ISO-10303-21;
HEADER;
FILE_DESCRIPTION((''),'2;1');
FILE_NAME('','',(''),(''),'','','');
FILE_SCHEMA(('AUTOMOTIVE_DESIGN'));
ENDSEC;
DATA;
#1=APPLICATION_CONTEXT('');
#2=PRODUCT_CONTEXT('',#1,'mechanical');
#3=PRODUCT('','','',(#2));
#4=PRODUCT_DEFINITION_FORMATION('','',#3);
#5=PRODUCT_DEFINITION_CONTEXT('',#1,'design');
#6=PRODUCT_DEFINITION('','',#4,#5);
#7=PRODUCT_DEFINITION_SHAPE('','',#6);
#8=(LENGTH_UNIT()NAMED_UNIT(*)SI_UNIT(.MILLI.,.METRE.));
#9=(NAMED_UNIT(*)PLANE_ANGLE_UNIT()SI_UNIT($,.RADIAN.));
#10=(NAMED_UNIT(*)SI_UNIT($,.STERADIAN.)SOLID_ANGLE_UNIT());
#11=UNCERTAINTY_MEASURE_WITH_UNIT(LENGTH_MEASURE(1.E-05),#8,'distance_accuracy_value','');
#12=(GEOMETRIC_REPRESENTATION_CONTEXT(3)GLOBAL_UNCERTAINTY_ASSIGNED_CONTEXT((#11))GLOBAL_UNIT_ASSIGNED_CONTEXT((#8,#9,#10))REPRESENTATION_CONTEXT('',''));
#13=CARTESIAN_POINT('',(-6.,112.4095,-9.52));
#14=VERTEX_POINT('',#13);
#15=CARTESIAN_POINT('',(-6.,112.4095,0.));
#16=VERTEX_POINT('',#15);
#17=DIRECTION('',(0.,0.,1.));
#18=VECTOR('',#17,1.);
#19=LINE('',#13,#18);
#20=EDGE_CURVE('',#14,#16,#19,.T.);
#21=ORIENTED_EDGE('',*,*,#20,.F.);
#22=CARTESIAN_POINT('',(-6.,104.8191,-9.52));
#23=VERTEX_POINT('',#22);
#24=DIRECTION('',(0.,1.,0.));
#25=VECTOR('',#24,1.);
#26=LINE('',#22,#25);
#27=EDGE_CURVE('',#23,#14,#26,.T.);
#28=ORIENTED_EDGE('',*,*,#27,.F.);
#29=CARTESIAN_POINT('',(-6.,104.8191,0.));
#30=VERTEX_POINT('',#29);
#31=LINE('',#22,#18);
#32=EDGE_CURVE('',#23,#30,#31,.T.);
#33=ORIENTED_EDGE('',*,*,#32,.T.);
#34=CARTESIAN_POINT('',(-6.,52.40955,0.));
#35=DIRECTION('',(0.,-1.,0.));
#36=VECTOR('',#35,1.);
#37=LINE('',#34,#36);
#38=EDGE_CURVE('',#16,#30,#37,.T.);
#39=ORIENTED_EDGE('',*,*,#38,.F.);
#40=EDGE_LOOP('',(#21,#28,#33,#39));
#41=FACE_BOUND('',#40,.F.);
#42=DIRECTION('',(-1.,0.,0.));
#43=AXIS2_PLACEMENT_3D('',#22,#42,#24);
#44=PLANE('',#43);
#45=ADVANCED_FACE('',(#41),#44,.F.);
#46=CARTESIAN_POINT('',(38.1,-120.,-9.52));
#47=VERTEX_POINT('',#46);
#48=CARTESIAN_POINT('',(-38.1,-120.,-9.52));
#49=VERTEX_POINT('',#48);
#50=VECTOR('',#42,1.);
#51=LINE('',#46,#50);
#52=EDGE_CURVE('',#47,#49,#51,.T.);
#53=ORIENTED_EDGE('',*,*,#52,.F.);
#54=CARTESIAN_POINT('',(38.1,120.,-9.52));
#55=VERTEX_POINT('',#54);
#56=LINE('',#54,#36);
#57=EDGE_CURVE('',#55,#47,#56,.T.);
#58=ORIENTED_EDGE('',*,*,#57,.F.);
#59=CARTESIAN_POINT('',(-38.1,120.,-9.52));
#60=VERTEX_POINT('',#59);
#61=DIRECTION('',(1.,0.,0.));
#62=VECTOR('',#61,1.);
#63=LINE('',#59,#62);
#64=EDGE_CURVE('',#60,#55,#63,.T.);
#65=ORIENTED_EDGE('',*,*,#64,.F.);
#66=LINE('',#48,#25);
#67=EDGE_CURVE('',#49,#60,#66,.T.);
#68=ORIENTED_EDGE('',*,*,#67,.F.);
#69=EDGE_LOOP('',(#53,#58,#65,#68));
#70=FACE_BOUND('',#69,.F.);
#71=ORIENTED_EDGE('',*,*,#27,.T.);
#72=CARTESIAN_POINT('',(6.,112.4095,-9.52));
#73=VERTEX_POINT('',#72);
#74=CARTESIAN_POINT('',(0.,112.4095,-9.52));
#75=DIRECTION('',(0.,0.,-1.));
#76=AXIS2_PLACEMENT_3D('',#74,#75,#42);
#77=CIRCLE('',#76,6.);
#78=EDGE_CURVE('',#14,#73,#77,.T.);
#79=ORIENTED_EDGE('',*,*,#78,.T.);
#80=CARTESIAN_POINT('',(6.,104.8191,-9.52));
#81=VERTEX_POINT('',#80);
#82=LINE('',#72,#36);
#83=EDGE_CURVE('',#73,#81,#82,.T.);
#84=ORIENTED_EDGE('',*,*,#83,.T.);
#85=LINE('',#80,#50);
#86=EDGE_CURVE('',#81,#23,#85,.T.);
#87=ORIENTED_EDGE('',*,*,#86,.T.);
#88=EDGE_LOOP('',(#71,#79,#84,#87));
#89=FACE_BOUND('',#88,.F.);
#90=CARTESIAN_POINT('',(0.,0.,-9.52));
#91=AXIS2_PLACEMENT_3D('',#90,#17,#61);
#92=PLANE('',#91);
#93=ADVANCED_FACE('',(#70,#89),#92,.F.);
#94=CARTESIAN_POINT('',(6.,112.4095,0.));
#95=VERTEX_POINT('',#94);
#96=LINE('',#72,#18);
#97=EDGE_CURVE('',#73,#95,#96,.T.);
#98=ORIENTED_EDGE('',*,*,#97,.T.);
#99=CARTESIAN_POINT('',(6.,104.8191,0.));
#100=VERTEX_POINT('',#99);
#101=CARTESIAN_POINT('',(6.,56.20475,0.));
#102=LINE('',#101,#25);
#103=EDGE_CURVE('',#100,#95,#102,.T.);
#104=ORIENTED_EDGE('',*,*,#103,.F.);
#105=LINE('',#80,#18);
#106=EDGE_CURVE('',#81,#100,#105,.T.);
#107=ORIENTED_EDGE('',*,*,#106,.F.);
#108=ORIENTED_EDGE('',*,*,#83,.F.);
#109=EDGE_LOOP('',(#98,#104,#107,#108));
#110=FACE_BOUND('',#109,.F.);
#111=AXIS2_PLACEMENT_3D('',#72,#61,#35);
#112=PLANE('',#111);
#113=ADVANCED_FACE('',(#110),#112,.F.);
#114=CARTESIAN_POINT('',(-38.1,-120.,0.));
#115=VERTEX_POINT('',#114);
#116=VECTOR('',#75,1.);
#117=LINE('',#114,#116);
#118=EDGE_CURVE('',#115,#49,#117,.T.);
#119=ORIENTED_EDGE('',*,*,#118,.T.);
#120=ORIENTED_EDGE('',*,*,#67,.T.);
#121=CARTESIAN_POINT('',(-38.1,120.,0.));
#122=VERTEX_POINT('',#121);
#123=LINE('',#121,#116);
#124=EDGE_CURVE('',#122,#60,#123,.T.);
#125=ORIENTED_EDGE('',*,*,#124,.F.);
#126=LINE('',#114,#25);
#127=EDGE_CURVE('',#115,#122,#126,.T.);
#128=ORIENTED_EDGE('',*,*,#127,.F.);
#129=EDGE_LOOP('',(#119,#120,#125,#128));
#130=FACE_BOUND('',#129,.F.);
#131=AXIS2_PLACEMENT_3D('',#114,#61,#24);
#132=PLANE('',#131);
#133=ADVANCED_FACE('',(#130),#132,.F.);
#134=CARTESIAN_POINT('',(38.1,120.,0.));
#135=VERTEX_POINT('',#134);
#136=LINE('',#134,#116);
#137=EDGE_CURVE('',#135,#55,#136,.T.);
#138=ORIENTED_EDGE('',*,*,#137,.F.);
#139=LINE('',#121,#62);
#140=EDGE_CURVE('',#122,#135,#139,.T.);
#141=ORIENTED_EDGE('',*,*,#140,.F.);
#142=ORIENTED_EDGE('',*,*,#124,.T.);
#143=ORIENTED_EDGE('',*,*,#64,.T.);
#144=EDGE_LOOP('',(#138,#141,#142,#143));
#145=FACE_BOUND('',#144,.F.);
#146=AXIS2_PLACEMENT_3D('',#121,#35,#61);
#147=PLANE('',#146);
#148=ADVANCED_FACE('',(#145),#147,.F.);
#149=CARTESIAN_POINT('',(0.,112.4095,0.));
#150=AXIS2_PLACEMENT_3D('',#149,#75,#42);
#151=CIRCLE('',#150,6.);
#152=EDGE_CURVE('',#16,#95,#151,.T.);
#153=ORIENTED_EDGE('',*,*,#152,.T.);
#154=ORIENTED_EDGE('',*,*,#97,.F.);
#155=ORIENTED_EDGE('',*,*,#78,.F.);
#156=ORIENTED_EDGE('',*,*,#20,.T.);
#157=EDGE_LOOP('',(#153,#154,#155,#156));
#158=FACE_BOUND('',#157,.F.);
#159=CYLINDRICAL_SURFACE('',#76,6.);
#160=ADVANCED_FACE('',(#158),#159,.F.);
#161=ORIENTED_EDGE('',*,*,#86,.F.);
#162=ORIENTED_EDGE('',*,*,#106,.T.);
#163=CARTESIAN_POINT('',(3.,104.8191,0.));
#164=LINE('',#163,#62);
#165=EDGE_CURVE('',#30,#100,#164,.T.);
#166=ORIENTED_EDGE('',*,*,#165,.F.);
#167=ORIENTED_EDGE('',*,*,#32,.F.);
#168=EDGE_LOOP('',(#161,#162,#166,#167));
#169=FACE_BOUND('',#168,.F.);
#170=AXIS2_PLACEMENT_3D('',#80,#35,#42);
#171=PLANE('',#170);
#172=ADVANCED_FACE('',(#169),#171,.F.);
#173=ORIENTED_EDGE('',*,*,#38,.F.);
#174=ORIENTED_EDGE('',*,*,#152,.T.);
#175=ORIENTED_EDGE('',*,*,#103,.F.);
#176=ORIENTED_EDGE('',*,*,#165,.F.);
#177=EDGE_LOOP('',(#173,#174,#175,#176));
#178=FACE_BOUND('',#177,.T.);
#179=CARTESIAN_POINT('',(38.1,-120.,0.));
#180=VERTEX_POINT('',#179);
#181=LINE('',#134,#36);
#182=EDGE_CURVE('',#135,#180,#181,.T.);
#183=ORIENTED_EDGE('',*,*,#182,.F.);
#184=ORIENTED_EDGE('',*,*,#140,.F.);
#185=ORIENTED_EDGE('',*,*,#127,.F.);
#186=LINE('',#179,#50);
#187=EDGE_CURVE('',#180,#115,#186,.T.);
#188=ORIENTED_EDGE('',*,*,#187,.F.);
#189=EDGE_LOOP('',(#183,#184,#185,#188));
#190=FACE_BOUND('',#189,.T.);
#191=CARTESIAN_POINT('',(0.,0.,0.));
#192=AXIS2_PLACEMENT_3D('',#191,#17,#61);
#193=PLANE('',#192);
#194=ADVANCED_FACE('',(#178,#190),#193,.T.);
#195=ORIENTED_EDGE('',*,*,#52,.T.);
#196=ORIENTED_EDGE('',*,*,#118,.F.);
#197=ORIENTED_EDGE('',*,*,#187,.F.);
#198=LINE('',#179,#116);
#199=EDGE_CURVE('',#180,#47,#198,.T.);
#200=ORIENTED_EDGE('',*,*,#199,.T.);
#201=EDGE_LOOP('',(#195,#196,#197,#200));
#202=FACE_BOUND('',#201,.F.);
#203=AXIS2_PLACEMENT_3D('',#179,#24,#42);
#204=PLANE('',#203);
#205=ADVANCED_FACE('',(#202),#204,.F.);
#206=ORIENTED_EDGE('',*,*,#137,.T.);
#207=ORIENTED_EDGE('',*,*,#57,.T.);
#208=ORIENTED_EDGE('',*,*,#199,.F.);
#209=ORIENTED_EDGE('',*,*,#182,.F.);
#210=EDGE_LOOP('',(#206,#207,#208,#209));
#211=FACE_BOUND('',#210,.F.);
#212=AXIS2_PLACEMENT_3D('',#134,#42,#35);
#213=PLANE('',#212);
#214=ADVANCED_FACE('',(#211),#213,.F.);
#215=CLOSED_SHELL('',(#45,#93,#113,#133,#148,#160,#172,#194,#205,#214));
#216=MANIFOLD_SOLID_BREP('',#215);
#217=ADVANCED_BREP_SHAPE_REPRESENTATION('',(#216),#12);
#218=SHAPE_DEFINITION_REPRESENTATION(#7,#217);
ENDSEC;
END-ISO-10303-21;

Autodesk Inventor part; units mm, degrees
ref_plane "YZ Plane" through (0, 0, 0) normal (1, 0, 0) x (0, 1, 0)
ref_plane "XZ Plane" through (0, 0, 0) normal (0, 1, 0) x (-1, 0, 0)
ref_plane "XY Plane" through (0, 0, 0) normal (0, 0, 1) x (1, 0, 0)
sketch "Esboço2" plane through (0, 0, 0) normal (0, 0, 1) x (1, 0, 0)
  line L0 (-38.1, 120) -> (38.1, 120)
  line L1 (38.1, 120) -> (38.1, -120)
  line L2 (38.1, -120) -> (-38.1, -120)
  line L3 (-38.1, -120) -> (-38.1, 120)
  line L4 (-38.1, 120) -> (38.1, -120) construction
  line L5 (38.1, 120) -> (-38.1, -120) construction
  point P0 (0, 0)
  dimension "d6" = 76.2
  dimension "d7" = 240
extrude "Extrusão2" add sketch "Esboço2" against normal blind 9.52
sketch "Esboço3" plane through (0, 0, -9.52) normal (0, 0, -1) x (-1, 0, 0)
  line L0 (0, 120) -> (0, 104.8191) construction
  line L1 (0, 104.8191) -> (-38.1, 104.8191) construction
  line L2 (-38.1, 120) -> (-38.1, -120) projected
  line L3 (0, 104.8191) -> (38.1, 104.8191) construction
  line L4 (38.1, -120) -> (38.1, 120) projected
  arc A0 (6, 112.4095) -> (-6, 112.4095) centre (0, 112.4095) ccw
  line L5 (-6, 112.4095) -> (-6, 104.8191)
  line L6 (6, 104.8191) -> (6, 112.4095)
  line L7 (-6, 104.8191) -> (6, 104.8191)
  point P0 (0, 0)
  dimension "d10" = 12
extrude "Extrusão3" cut sketch "Esboço3" against normal through all
properties part number "base_fixaxao_cabeca_supeior"
